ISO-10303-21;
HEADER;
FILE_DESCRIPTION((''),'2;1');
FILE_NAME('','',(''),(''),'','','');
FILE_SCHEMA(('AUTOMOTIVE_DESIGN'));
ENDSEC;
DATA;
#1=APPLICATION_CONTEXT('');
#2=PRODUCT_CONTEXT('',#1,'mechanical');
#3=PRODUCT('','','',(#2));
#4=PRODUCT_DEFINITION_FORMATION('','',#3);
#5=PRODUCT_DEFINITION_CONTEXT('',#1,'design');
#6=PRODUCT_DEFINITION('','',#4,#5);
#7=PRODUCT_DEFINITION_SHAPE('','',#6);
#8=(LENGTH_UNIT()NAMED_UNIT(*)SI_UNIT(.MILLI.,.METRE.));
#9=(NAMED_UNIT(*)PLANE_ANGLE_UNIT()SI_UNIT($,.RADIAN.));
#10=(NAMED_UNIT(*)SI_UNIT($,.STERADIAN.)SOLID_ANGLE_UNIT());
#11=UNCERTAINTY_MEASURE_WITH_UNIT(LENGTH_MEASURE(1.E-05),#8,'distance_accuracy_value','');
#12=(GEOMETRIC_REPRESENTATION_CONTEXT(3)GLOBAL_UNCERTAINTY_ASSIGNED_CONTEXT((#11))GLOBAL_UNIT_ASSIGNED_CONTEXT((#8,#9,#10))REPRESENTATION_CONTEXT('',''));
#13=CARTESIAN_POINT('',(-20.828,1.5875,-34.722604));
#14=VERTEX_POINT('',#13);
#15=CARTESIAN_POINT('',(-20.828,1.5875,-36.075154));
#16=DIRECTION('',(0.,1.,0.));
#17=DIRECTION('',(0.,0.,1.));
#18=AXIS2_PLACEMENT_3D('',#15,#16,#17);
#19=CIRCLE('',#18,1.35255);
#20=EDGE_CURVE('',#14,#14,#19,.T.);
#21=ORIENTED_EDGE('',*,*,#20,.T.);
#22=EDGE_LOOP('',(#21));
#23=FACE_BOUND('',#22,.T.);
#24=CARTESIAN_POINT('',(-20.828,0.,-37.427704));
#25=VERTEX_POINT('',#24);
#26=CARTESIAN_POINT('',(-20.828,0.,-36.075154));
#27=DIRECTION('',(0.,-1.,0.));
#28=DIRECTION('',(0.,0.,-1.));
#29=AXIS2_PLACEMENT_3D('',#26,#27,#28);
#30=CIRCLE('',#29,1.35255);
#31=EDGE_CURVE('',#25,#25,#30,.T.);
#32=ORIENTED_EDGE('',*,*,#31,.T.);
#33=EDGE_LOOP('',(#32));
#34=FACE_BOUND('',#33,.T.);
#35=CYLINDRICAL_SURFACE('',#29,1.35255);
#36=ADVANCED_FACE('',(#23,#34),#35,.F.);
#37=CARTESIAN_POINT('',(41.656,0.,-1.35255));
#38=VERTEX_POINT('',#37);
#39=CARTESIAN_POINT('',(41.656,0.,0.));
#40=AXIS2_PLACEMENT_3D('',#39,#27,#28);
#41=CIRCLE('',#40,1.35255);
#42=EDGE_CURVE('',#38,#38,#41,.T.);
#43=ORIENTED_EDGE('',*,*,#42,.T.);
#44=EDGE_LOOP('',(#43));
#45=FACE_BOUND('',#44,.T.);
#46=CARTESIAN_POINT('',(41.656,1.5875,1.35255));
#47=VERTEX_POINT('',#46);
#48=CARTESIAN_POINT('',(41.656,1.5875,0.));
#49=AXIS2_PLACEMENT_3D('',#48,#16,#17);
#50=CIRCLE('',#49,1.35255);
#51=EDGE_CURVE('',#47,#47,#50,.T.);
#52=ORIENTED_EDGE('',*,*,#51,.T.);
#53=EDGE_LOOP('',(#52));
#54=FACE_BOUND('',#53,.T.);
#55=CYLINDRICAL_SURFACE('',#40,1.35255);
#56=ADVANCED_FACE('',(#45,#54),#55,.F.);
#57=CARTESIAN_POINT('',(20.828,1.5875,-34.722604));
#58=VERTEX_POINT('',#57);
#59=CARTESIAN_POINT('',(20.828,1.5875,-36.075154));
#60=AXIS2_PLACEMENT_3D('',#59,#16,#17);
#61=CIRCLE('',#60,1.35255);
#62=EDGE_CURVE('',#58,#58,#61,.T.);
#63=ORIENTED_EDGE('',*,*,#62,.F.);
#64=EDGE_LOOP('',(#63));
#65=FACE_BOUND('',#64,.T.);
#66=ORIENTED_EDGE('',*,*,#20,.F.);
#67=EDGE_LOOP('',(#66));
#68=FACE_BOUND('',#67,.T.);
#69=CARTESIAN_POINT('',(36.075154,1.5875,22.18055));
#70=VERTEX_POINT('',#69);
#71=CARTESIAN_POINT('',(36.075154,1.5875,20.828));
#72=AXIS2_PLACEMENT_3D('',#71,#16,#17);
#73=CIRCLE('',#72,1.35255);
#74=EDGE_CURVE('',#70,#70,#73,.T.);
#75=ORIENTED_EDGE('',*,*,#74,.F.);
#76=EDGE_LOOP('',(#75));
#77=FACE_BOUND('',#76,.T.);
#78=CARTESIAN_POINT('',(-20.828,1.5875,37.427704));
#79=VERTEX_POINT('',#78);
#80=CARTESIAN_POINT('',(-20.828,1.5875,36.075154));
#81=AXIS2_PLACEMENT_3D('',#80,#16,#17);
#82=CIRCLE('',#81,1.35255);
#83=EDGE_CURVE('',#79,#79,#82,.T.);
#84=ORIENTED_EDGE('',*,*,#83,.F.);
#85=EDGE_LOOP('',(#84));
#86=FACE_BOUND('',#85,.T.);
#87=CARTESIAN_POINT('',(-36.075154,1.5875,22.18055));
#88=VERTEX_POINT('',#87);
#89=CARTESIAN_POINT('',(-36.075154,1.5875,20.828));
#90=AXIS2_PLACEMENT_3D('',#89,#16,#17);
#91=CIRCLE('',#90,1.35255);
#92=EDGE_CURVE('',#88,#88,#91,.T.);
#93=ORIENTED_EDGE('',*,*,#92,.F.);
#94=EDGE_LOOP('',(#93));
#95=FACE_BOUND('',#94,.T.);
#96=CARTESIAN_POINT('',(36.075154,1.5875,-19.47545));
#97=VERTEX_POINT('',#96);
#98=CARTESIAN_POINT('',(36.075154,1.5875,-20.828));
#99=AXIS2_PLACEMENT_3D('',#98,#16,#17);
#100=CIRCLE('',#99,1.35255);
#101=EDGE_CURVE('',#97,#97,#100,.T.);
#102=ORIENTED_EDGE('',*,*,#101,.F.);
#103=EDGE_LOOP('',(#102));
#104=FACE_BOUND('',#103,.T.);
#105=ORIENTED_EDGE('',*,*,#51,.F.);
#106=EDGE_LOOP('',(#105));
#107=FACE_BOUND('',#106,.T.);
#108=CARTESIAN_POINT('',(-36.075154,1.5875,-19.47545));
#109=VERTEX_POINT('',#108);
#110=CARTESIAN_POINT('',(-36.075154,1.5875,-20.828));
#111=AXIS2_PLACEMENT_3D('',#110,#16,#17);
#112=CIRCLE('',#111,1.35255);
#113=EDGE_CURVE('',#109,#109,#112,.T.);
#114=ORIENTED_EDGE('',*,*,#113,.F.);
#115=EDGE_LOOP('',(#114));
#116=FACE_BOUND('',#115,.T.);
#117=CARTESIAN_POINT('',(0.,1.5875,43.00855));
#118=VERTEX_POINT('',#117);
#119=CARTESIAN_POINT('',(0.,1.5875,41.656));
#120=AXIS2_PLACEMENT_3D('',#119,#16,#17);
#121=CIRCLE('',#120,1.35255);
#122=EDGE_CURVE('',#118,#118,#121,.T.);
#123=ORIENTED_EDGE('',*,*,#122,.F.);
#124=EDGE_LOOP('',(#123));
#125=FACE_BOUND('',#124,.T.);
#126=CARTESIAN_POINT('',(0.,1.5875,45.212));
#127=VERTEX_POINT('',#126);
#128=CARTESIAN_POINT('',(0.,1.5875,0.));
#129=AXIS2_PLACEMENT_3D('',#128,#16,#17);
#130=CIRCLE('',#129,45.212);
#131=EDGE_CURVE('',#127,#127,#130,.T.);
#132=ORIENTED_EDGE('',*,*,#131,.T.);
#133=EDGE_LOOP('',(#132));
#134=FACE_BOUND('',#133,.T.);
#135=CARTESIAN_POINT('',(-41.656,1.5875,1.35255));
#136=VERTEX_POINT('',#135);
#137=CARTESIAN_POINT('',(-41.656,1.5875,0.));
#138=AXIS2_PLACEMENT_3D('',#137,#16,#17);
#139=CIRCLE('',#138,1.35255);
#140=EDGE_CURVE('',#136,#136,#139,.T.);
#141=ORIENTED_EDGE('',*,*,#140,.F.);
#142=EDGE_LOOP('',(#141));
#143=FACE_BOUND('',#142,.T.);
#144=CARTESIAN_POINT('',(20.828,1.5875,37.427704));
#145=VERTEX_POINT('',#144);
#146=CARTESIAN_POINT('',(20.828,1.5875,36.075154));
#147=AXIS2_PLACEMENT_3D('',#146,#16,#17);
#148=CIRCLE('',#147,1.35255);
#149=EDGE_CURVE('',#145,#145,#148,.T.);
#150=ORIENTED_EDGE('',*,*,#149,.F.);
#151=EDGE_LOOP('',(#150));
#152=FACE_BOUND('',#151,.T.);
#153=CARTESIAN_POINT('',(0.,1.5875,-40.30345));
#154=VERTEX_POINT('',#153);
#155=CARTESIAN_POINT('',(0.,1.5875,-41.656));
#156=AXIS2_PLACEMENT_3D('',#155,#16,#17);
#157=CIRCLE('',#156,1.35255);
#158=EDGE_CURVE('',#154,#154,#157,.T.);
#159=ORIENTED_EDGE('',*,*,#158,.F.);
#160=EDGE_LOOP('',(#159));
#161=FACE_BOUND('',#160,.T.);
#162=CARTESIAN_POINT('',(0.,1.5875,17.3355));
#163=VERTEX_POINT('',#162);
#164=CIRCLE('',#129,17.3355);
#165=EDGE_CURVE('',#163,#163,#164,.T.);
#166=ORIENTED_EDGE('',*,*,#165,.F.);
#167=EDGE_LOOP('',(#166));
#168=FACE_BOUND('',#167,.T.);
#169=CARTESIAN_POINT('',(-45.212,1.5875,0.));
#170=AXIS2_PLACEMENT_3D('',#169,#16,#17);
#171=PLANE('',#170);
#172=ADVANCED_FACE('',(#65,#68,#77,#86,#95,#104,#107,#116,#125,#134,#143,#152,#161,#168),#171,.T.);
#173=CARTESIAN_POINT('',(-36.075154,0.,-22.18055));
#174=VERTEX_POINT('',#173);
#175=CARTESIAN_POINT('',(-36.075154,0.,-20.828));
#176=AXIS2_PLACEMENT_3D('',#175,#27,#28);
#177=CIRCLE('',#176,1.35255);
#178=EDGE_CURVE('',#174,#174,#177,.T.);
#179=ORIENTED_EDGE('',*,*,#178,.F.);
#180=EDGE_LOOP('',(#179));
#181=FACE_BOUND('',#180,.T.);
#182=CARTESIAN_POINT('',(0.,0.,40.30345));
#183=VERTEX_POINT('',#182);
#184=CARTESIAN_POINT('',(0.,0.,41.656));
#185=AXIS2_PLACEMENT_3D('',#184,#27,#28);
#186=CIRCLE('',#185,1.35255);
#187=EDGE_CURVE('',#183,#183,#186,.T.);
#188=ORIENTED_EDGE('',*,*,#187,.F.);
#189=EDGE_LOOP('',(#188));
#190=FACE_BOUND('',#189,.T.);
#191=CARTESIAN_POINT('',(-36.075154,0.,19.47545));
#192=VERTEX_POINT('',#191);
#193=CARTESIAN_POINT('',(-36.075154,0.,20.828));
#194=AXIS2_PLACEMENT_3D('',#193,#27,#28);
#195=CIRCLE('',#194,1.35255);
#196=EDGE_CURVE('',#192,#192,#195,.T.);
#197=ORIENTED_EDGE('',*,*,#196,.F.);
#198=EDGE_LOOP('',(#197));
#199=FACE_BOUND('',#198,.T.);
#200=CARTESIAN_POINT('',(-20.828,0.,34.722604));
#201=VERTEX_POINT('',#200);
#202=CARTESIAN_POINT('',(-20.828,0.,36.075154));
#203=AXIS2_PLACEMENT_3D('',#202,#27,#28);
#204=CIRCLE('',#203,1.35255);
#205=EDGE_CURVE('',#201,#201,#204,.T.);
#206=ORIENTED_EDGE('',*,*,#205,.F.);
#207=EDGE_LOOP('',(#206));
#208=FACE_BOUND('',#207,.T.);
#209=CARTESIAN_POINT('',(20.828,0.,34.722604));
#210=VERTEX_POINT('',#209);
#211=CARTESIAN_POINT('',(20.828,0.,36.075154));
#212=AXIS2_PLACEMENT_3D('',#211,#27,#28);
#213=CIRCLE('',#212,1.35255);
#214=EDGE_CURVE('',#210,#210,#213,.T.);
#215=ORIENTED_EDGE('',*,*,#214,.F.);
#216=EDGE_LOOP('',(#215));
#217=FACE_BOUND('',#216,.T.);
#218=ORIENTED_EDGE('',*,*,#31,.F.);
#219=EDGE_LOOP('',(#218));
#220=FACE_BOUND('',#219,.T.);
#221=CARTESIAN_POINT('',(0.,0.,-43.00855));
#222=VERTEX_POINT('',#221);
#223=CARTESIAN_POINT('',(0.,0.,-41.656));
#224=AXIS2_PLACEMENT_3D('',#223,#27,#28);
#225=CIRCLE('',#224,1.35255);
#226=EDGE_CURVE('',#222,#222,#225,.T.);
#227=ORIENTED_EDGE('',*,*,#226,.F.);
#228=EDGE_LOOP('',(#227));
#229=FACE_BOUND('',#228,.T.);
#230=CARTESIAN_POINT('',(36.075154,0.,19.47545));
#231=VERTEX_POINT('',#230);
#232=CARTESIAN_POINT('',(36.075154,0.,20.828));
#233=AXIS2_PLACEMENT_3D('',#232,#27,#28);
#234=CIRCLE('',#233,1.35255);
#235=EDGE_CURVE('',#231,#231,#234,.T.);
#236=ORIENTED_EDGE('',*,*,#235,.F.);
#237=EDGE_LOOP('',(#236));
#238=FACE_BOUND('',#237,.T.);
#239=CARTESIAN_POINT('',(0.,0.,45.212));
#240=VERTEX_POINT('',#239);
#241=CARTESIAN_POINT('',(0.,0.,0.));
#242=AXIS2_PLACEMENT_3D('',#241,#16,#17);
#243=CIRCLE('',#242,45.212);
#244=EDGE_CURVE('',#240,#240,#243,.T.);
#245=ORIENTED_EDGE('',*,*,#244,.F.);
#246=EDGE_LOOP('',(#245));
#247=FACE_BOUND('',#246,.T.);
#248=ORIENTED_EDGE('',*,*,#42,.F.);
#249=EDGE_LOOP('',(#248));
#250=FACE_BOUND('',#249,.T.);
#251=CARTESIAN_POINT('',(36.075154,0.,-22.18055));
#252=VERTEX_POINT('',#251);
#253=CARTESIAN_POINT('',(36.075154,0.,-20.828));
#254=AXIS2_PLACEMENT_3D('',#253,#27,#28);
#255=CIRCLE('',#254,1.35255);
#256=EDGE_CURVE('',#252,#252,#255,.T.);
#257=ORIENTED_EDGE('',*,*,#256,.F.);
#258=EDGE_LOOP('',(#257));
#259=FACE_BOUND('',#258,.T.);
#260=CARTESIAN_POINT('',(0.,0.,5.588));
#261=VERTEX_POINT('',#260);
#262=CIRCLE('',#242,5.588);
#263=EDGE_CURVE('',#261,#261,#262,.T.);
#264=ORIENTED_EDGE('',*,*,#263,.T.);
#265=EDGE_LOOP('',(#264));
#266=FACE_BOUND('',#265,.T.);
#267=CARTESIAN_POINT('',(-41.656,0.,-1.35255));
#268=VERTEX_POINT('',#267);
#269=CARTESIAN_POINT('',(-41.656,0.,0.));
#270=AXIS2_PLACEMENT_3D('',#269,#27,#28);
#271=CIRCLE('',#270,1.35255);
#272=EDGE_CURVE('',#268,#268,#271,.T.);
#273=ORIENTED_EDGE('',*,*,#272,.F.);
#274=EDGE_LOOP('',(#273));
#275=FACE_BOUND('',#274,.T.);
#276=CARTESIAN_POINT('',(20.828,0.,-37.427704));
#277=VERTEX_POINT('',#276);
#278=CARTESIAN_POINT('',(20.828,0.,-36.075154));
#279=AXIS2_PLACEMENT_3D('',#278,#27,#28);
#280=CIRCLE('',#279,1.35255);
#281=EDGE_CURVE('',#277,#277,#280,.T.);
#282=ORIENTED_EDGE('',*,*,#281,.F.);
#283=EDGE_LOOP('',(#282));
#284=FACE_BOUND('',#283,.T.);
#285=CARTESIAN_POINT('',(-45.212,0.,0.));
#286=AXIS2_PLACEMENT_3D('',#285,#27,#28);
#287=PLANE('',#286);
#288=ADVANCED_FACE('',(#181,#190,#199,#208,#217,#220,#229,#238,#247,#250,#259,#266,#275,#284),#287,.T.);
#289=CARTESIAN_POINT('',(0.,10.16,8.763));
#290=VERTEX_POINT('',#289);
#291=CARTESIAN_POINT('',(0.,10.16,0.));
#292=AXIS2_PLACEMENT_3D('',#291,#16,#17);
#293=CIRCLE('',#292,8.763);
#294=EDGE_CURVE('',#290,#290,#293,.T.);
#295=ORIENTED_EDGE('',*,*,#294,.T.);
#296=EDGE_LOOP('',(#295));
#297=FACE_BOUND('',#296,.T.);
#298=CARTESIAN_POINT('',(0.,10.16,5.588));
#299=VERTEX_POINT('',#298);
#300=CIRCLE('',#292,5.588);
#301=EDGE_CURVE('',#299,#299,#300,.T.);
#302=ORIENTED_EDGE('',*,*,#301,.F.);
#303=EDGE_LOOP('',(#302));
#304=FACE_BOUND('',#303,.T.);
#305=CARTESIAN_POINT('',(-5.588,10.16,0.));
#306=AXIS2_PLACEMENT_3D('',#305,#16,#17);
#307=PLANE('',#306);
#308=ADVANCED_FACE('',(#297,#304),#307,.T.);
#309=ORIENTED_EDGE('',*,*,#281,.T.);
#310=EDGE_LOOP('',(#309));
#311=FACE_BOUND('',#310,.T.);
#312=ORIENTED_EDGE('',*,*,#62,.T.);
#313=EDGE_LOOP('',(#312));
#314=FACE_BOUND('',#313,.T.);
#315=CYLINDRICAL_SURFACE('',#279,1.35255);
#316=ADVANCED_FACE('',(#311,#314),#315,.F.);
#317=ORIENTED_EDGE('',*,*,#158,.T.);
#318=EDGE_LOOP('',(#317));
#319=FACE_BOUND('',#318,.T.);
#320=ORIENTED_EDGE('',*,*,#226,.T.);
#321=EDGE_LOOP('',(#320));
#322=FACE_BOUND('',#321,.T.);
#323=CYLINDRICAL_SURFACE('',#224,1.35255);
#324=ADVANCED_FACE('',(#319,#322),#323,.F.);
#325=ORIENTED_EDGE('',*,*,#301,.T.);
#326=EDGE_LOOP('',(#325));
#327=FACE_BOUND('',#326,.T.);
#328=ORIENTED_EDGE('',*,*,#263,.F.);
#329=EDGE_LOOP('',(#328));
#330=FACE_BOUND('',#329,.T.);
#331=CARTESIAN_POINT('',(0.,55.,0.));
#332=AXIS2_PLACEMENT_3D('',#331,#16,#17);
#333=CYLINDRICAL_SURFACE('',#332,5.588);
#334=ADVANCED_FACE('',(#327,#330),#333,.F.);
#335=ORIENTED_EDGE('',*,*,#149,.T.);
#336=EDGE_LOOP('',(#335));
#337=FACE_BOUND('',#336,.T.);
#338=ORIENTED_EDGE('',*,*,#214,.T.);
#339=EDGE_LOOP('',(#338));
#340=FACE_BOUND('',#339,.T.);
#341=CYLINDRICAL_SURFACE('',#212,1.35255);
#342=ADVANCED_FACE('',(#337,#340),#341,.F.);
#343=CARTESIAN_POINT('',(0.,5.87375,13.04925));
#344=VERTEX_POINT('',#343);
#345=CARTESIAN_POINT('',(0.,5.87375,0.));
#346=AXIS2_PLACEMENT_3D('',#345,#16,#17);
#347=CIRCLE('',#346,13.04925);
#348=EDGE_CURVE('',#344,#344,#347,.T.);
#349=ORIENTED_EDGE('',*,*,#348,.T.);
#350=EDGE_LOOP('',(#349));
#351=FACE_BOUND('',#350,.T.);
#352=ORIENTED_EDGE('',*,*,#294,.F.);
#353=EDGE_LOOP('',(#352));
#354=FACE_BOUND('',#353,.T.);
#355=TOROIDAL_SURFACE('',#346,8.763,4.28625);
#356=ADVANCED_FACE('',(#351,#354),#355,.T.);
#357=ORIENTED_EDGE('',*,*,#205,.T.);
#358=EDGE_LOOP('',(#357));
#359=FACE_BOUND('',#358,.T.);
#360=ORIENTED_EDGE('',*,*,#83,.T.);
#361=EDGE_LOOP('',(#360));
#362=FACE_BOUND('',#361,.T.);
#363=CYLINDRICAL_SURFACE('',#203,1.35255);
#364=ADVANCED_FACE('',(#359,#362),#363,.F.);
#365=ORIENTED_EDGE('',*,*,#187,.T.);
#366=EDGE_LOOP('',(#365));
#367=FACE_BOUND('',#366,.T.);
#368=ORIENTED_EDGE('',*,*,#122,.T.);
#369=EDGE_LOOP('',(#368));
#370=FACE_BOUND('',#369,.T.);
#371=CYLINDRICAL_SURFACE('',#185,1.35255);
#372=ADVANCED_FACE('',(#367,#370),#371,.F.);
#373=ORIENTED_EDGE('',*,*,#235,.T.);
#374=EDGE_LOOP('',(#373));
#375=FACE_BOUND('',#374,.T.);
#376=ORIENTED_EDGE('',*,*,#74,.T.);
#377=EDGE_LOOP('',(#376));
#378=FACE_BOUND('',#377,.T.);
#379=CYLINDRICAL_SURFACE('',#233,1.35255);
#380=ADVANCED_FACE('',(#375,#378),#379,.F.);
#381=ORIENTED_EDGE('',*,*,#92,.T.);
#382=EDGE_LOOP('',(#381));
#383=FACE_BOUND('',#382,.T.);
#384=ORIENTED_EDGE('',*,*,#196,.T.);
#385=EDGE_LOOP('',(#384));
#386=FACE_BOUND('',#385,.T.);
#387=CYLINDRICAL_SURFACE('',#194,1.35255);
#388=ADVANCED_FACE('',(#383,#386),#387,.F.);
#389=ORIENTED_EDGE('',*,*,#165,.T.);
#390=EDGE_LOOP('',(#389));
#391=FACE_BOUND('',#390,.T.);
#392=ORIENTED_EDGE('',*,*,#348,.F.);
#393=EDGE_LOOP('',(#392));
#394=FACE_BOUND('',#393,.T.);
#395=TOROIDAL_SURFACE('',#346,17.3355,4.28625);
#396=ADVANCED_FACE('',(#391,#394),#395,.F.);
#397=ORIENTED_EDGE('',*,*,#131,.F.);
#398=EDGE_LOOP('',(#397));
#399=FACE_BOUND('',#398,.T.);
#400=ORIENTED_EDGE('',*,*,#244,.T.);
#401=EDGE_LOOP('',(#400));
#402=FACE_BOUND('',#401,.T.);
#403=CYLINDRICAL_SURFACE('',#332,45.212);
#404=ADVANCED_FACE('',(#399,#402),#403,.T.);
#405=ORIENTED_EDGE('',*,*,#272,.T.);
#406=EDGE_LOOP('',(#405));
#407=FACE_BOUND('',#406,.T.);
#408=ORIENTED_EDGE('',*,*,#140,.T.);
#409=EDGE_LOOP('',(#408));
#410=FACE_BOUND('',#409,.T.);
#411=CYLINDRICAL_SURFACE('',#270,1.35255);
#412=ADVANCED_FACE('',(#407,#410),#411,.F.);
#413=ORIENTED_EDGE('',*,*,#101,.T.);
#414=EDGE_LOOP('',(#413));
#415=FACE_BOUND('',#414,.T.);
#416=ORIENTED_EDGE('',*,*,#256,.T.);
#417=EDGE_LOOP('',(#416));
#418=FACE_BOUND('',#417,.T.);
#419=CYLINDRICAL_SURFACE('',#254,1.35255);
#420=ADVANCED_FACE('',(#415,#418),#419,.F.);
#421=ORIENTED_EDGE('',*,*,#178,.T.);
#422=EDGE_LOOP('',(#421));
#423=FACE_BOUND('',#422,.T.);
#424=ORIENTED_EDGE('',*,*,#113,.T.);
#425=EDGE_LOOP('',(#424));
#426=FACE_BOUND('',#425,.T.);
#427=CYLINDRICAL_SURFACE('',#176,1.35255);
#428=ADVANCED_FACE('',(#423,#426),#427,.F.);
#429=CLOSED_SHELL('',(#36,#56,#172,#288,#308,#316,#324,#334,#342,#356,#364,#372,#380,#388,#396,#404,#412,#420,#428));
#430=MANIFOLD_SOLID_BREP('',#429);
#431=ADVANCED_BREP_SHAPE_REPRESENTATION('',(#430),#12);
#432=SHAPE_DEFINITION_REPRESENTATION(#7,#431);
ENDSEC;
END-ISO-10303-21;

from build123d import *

# Parameters (mm, degrees)
F_36_0_1065_DIAMETER_HOLE1_D = 2.7051
CIRPATTERN1_COUNT            = 12


with BuildPart() as part:
    # Sketch1 → Revolve1 (revolve)
    with BuildSketch(Plane.XY):
        with BuildLine():
            Line((-45.212, 0), (-5.588, 0))
            Line((-5.588, 0), (-5.588, 10.16))
            Line((-5.588, 10.16), (-8.763, 10.16))
            ThreePointArc((-8.763, 10.16), (-11.793836441, 8.904586441), (-13.04925, 5.87375))
            ThreePointArc((-13.04925, 5.87375), (-14.304663559, 2.842913559), (-17.3355, 1.5875))
            Line((-17.3355, 1.5875), (-45.212, 1.5875))
            Line((-45.212, 1.5875), (-45.212, 0))
        make_face()
    revolve(axis=Axis((0, 55, 0), (0, -1, 0)))

    # #36 (0.1065) Diameter Hole1 (through all)
    with Locations(Plane(origin=(0, 0, 0), x_dir=(-1, 0, 0), z_dir=(0, -1, 0))):
        with Locations((41.656, 0)):
            f_36_0_1065_diameter_hole1 = Hole(F_36_0_1065_DIAMETER_HOLE1_D / 2)

    # CirPattern1: #36 (0.1065) Diameter Hole1 ×12 about axis
    cirpattern1_axis = Axis((0, 0, 0), (0, 1, 0))
    for i in range(1, CIRPATTERN1_COUNT):
        add(f_36_0_1065_diameter_hole1.rotate(cirpattern1_axis, i * 360 / CIRPATTERN1_COUNT), mode=Mode.SUBTRACT)


solid = part.part
